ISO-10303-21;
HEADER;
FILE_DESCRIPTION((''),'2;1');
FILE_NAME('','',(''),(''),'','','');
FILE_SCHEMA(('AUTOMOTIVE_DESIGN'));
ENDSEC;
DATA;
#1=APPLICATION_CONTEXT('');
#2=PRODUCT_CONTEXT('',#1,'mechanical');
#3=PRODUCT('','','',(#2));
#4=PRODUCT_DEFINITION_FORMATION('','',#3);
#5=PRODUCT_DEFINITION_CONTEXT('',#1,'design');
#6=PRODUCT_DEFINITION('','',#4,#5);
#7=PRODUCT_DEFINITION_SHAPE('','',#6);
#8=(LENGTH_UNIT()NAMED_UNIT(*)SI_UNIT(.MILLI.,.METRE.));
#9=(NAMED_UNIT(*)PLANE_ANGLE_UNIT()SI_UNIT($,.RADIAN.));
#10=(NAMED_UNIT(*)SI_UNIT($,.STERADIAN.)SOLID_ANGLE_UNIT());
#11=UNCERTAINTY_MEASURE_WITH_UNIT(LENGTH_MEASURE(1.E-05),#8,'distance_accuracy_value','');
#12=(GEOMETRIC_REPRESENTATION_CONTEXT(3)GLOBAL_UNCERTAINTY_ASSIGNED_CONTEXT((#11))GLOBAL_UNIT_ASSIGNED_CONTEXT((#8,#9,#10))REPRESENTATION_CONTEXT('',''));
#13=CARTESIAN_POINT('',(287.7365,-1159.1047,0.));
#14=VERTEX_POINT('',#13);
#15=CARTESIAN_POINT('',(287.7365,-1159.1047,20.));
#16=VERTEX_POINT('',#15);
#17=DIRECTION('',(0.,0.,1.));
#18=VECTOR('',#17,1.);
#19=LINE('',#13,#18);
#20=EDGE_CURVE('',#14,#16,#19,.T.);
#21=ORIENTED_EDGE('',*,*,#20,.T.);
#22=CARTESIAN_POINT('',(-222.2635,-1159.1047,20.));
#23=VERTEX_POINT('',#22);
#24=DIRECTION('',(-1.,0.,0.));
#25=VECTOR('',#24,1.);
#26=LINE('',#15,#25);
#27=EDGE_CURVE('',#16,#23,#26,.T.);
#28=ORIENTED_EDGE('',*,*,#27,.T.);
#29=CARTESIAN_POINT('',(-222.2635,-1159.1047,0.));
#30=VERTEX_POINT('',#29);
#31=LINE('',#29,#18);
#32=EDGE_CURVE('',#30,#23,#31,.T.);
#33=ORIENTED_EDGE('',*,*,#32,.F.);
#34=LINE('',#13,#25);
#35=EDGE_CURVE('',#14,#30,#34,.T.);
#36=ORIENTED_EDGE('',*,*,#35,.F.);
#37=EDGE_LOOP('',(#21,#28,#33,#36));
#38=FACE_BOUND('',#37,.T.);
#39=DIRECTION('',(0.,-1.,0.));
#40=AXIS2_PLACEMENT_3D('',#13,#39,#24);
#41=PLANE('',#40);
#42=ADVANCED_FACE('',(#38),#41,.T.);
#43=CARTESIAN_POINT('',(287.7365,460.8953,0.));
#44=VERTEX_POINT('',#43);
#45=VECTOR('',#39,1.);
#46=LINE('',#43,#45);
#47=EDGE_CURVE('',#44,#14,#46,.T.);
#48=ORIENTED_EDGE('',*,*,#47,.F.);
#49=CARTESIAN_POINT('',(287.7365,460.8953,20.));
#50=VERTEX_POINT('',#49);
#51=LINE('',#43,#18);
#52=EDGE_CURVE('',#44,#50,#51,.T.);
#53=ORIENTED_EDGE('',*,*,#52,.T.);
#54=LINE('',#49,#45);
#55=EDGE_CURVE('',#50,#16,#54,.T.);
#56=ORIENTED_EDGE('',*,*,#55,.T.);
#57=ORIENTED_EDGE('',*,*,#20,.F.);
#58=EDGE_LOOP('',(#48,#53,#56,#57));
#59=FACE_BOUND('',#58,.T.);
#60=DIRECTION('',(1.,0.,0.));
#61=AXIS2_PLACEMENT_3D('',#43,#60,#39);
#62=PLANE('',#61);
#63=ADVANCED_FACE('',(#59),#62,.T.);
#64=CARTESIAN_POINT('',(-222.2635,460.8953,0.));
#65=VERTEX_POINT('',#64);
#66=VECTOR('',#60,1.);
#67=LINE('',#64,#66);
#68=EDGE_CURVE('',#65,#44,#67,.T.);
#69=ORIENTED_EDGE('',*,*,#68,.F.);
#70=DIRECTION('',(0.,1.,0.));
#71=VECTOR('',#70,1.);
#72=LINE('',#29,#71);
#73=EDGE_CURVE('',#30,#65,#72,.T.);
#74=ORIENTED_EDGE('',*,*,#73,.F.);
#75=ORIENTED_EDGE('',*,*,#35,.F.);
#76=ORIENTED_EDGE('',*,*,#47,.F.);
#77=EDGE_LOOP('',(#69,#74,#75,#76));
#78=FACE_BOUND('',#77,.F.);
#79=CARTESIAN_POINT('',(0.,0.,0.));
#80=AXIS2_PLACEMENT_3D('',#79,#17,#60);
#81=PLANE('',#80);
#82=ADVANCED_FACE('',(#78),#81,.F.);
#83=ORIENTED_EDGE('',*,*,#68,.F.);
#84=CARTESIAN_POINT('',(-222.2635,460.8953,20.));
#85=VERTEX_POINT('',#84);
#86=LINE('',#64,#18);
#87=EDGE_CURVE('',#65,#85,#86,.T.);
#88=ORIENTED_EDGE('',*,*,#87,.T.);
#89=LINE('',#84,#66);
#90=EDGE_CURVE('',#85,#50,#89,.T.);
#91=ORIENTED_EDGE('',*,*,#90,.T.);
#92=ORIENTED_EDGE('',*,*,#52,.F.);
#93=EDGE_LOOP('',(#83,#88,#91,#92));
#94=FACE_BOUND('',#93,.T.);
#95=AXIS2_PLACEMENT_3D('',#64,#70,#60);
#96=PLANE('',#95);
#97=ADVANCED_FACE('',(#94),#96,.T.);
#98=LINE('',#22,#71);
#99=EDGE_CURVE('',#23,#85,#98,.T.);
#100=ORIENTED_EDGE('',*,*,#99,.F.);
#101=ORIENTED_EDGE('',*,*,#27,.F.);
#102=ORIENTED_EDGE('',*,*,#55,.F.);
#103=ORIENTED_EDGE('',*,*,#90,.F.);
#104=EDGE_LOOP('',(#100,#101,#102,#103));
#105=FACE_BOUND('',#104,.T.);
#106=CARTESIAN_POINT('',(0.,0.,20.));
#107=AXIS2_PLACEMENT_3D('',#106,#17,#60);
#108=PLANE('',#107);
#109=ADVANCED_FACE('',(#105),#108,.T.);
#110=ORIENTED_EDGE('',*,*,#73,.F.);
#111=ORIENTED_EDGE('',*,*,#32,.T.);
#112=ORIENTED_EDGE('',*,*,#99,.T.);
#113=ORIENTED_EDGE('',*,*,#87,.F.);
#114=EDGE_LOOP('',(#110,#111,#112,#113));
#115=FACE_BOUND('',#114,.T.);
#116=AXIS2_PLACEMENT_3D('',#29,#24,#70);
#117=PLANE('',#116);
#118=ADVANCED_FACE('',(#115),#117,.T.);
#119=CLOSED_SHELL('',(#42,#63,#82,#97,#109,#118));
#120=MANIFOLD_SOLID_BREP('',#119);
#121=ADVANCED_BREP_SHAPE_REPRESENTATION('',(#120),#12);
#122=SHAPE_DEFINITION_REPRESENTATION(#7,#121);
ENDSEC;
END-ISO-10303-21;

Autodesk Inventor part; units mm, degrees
ref_plane "YZ Plane" through (0, 0, 0) normal (1, 0, 0) x (0, 1, 0)
ref_plane "XZ Plane" through (0, 0, 0) normal (0, 1, 0) x (-1, 0, 0)
ref_plane "XY Plane" through (0, 0, 0) normal (0, 0, 1) x (1, 0, 0)
sketch "Esquisse1" plane through (0, 0, 0) normal (0, 0, 1) x (1, 0, 0)
  line L0 (-222.2635, 460.8953) -> (287.7365, 460.8953)
  line L1 (287.7365, 460.8953) -> (287.7365, -1159.1047)
  line L2 (287.7365, -1159.1047) -> (-222.2635, -1159.1047)
  line L3 (-222.2635, -1159.1047) -> (-222.2635, 460.8953)
  point P0 (0, 0)
  dimension "d0" = 510
  dimension "d1" = 1620
extrude "Extrusion1" add sketch "Esquisse1" along normal blind 20
properties part number "Vitre" material "Verre"
